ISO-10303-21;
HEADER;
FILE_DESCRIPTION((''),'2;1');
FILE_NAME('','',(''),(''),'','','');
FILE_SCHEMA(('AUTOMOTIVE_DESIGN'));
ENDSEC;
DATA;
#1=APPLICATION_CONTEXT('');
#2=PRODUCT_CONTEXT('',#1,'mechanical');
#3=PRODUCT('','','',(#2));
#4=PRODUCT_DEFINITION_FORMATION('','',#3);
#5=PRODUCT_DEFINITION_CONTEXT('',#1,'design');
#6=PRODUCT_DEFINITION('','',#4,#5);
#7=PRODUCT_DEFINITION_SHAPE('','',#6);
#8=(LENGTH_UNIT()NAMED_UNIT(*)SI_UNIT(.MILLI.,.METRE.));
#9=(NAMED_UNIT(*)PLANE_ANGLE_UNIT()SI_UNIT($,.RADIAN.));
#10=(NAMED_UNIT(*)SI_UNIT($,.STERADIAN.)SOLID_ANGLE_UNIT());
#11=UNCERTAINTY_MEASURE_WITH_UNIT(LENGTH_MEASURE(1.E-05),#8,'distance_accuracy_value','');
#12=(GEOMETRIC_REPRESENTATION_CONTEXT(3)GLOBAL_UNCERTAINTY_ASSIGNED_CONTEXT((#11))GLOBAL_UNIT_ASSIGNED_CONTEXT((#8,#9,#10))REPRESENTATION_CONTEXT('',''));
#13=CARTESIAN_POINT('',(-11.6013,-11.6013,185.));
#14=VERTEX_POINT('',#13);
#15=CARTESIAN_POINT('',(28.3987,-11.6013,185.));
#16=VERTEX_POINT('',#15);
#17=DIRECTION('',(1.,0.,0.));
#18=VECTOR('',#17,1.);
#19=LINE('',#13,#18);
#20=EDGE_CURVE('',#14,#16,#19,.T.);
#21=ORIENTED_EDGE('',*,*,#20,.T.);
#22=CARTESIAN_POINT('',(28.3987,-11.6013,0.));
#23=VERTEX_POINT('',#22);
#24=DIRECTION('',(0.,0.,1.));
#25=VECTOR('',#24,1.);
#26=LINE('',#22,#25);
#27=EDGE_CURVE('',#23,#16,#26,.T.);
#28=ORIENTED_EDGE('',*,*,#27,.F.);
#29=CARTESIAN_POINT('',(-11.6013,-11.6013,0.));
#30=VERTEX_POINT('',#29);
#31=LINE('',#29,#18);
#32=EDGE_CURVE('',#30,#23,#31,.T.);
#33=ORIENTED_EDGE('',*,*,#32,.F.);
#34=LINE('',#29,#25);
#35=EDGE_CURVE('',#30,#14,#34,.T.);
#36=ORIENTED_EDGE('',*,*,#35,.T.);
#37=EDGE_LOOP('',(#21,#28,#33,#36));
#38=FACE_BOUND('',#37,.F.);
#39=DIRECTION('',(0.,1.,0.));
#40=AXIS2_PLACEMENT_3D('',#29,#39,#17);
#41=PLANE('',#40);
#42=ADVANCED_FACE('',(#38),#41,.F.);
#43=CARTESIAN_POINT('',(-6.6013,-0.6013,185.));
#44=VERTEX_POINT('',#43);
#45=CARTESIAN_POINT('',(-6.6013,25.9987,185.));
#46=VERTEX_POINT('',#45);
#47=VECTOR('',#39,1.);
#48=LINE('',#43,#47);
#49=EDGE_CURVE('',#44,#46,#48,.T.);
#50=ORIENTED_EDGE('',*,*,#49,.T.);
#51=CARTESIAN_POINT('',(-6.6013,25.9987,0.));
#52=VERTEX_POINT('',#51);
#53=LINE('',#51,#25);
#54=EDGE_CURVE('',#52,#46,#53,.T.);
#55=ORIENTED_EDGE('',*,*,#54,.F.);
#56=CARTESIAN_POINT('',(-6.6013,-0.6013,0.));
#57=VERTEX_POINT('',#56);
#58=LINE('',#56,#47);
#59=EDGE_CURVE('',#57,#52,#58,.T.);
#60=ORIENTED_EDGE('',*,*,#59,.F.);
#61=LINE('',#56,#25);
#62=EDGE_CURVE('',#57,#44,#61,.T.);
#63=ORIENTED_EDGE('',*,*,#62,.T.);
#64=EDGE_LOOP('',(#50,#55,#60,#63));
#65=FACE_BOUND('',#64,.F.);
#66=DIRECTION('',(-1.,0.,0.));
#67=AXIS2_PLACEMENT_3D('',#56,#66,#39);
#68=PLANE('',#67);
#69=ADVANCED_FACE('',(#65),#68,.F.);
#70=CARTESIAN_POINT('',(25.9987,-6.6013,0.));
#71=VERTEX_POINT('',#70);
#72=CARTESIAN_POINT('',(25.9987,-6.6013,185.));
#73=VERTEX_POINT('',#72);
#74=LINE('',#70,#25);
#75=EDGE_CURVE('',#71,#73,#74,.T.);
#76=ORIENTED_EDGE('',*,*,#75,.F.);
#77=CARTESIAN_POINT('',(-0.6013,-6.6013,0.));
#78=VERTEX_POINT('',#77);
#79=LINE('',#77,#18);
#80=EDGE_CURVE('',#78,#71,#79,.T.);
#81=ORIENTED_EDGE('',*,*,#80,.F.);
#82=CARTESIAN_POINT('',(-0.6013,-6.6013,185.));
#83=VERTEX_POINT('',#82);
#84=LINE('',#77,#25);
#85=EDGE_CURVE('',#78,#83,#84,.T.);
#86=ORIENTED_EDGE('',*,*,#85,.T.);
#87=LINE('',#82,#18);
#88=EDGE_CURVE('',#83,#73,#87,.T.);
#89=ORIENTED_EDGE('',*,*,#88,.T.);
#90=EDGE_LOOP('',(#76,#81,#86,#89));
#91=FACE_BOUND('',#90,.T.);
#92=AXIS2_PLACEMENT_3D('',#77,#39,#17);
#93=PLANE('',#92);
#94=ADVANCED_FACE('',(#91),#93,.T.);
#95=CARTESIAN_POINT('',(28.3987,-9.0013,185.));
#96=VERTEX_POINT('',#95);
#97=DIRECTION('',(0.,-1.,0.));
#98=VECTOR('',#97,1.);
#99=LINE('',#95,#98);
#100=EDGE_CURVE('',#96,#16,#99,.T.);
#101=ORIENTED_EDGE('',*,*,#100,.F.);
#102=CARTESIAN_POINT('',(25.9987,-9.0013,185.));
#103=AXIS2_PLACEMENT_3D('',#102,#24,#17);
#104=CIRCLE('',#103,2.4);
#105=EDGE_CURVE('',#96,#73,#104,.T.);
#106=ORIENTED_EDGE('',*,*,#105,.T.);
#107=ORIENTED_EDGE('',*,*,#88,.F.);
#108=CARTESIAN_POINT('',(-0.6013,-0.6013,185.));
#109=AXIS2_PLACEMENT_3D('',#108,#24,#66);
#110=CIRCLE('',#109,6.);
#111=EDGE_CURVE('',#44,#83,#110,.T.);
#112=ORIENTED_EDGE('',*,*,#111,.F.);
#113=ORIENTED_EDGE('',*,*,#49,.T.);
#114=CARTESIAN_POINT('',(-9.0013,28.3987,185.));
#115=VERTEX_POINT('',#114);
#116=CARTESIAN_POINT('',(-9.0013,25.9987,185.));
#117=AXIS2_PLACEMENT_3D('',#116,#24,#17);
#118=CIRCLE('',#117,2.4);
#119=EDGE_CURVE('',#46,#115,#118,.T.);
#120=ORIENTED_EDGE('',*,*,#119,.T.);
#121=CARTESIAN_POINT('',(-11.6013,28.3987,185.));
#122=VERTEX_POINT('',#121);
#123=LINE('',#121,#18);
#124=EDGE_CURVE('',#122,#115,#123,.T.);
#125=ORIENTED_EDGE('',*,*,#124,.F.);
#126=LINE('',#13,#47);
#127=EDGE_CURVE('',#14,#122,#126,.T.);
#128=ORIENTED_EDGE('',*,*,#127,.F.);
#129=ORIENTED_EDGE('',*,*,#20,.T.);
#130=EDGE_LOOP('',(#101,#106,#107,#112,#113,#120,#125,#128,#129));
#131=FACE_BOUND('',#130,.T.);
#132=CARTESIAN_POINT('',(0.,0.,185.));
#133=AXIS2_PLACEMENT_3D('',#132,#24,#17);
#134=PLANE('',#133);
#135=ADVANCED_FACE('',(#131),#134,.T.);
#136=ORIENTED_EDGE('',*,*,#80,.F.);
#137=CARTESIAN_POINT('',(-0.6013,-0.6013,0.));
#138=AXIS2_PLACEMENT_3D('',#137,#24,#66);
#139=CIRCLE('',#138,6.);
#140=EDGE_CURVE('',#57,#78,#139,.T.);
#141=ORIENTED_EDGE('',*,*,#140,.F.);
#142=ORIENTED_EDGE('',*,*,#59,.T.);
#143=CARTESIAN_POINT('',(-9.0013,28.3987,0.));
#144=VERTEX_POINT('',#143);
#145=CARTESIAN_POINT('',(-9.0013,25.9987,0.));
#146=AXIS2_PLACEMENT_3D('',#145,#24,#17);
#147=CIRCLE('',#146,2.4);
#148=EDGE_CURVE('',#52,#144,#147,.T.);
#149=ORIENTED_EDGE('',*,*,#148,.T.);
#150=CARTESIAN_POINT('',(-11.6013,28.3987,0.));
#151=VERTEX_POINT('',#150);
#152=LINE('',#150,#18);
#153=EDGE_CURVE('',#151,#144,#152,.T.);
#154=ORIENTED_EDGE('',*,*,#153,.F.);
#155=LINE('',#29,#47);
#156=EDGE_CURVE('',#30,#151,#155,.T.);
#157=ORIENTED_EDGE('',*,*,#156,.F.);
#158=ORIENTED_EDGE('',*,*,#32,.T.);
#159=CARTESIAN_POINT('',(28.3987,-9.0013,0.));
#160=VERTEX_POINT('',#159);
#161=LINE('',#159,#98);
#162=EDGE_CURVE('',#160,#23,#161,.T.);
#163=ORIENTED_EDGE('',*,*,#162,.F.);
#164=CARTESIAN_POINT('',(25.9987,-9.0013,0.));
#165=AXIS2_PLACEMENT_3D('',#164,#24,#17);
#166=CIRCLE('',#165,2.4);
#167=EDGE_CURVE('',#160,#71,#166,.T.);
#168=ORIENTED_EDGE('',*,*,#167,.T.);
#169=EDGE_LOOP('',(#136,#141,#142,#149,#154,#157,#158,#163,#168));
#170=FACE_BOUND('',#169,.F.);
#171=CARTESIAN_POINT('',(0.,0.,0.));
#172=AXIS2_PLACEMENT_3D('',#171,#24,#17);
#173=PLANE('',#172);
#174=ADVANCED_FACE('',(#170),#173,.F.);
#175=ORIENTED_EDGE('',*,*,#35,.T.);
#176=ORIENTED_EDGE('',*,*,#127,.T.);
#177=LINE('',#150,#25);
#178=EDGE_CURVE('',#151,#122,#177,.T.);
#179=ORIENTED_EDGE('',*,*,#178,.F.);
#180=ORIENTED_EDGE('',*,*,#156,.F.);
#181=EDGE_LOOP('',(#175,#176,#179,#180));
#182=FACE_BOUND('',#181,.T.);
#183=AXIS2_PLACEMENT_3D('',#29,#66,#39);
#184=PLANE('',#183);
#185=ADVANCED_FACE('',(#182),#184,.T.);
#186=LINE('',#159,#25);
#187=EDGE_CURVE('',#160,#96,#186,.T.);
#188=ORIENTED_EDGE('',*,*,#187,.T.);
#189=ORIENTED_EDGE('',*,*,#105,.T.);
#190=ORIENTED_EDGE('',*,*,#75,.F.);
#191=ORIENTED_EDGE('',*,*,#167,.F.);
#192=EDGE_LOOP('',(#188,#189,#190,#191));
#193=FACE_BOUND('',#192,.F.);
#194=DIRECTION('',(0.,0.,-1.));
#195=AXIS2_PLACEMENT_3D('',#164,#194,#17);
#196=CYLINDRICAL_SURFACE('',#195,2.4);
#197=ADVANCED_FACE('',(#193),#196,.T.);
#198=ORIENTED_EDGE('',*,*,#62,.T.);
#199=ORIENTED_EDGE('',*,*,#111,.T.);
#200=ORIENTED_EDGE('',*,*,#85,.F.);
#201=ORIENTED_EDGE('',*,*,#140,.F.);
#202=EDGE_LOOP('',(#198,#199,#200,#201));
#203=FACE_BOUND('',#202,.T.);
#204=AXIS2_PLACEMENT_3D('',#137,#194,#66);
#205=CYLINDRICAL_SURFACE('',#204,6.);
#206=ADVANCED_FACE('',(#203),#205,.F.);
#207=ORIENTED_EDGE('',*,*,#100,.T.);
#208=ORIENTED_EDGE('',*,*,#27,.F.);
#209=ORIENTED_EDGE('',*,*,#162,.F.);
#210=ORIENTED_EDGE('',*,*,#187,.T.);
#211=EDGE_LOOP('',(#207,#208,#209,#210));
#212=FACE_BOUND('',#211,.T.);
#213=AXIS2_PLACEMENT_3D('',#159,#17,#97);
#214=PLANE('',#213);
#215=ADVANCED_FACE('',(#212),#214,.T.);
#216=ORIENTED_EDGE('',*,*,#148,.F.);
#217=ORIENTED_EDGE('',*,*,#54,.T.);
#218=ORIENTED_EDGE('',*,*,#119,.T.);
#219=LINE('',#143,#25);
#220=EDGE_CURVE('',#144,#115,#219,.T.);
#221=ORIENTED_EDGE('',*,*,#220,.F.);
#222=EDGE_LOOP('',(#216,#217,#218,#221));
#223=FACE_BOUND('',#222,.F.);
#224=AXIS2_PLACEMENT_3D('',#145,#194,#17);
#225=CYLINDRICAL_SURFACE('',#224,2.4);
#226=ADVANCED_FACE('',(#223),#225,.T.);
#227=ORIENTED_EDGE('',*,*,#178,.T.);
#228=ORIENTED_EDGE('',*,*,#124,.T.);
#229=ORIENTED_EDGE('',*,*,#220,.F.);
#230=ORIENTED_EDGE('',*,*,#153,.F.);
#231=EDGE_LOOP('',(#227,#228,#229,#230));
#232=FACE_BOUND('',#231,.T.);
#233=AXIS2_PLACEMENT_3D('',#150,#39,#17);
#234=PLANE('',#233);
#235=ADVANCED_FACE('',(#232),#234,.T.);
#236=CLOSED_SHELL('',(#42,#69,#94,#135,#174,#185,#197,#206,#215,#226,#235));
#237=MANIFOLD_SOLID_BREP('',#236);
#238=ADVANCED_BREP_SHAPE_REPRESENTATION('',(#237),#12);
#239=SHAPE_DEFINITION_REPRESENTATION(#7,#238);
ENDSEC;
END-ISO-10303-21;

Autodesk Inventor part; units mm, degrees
ref_plane "YZ Plane" through (0, 0, 0) normal (1, 0, 0) x (0, 1, 0)
ref_plane "Start Plane" through (0, 0, 0) normal (0, 0, 1) x (1, 0, 0)
ref_plane "End Plane" through (0, 0, 185) normal (0, 0, 1) x (1, 0, 0)
sketch "Sketch" plane through (0, 0, 0) normal (0, 0, 1) x (1, 0, 0)
  line L0 (-6.6013, -0.6013) -> (-6.6013, 25.9987)
  line L1 (-11.6013, 28.3987) -> (-9.0013, 28.3987)
  line L2 (-11.6013, -11.6013) -> (-11.6013, 28.3987)
  line L3 (-11.6013, -11.6013) -> (28.3987, -11.6013)
  line L4 (28.3987, -9.0013) -> (28.3987, -11.6013)
  line L5 (-0.6013, -6.6013) -> (25.9987, -6.6013)
  arc A0 (-6.6013, -0.6013) -> (-0.6013, -6.6013) centre (-0.6013, -0.6013) ccw
  arc A1 (-6.6013, 25.9987) -> (-9.0013, 28.3987) centre (-9.0013, 25.9987) ccw
  arc A2 (28.3987, -9.0013) -> (25.9987, -6.6013) centre (25.9987, -9.0013) ccw
  line L6 (0, 36.9952) -> (0, -19.7007) construction
  line L7 (-19.7007, 0) -> (36.9952, 0) construction
  point P0 (-6.6013, -6.6013)
  point P1 (-6.6013, 28.3987)
  point P2 (28.3987, -6.6013)
  dimension "d4" = 40
  dimension "d6" = 40
  dimension "d8" = 5
  dimension "d10" = 5
  dimension "d17" = 6
  dimension "d18" = 2.4
  dimension "d19" = 11.6013
  dimension "d20" = 11.6013
extrude "Body" add sketch "Sketch" along normal up to surface (185 mm away) from surface at 0
sketch "Sketch3" plane through (0, 0, 0) normal (0, 0, 1) x (1, 0, 0)
  line L0 (0, 0) -> (10, 0)
ref_plane "Work Plane10" through (0, 0, 0) normal (0, -1, 0) x (1, 0, 0)
sketch "Sketch4" plane through (0, 0, 0) normal (0, -1, 0) x (1, 0, 0)
  line L0 (-2, 0) -> (12, 0)
  line L1 (-2, 185) -> (12, 185)
  dimension "d24" = 185
equation "\"d4\" = b"
equation "\"d6\" = b"
equation "\"d8\" = ParT"
equation "\"d10\" = ParT"
equation "\"d17\" = R"
equation "\"d18\" = R1"
equation "\"d19\" = ex"
equation "\"d20\" = d19"
equation "\"d11\" = G_L"
equation "\"b\" = 40"
equation "\"ParT\" = 5"
equation "\"R\" = 6"
equation "\"R1\" = 2.4"
equation "\"G_L\" = d24"
equation "\"G_OFFSET_START\" = 0"
equation "\"G_OFFSET_END\" = 0"
equation "\"d22\" = G_OFFSET_END + B_L"
equation "\"B_L\" = 185"
equation "\"ex\" = 11.601307"
properties part number "BS 4848 - 40x40x5-185" material "Steel, Mild"
